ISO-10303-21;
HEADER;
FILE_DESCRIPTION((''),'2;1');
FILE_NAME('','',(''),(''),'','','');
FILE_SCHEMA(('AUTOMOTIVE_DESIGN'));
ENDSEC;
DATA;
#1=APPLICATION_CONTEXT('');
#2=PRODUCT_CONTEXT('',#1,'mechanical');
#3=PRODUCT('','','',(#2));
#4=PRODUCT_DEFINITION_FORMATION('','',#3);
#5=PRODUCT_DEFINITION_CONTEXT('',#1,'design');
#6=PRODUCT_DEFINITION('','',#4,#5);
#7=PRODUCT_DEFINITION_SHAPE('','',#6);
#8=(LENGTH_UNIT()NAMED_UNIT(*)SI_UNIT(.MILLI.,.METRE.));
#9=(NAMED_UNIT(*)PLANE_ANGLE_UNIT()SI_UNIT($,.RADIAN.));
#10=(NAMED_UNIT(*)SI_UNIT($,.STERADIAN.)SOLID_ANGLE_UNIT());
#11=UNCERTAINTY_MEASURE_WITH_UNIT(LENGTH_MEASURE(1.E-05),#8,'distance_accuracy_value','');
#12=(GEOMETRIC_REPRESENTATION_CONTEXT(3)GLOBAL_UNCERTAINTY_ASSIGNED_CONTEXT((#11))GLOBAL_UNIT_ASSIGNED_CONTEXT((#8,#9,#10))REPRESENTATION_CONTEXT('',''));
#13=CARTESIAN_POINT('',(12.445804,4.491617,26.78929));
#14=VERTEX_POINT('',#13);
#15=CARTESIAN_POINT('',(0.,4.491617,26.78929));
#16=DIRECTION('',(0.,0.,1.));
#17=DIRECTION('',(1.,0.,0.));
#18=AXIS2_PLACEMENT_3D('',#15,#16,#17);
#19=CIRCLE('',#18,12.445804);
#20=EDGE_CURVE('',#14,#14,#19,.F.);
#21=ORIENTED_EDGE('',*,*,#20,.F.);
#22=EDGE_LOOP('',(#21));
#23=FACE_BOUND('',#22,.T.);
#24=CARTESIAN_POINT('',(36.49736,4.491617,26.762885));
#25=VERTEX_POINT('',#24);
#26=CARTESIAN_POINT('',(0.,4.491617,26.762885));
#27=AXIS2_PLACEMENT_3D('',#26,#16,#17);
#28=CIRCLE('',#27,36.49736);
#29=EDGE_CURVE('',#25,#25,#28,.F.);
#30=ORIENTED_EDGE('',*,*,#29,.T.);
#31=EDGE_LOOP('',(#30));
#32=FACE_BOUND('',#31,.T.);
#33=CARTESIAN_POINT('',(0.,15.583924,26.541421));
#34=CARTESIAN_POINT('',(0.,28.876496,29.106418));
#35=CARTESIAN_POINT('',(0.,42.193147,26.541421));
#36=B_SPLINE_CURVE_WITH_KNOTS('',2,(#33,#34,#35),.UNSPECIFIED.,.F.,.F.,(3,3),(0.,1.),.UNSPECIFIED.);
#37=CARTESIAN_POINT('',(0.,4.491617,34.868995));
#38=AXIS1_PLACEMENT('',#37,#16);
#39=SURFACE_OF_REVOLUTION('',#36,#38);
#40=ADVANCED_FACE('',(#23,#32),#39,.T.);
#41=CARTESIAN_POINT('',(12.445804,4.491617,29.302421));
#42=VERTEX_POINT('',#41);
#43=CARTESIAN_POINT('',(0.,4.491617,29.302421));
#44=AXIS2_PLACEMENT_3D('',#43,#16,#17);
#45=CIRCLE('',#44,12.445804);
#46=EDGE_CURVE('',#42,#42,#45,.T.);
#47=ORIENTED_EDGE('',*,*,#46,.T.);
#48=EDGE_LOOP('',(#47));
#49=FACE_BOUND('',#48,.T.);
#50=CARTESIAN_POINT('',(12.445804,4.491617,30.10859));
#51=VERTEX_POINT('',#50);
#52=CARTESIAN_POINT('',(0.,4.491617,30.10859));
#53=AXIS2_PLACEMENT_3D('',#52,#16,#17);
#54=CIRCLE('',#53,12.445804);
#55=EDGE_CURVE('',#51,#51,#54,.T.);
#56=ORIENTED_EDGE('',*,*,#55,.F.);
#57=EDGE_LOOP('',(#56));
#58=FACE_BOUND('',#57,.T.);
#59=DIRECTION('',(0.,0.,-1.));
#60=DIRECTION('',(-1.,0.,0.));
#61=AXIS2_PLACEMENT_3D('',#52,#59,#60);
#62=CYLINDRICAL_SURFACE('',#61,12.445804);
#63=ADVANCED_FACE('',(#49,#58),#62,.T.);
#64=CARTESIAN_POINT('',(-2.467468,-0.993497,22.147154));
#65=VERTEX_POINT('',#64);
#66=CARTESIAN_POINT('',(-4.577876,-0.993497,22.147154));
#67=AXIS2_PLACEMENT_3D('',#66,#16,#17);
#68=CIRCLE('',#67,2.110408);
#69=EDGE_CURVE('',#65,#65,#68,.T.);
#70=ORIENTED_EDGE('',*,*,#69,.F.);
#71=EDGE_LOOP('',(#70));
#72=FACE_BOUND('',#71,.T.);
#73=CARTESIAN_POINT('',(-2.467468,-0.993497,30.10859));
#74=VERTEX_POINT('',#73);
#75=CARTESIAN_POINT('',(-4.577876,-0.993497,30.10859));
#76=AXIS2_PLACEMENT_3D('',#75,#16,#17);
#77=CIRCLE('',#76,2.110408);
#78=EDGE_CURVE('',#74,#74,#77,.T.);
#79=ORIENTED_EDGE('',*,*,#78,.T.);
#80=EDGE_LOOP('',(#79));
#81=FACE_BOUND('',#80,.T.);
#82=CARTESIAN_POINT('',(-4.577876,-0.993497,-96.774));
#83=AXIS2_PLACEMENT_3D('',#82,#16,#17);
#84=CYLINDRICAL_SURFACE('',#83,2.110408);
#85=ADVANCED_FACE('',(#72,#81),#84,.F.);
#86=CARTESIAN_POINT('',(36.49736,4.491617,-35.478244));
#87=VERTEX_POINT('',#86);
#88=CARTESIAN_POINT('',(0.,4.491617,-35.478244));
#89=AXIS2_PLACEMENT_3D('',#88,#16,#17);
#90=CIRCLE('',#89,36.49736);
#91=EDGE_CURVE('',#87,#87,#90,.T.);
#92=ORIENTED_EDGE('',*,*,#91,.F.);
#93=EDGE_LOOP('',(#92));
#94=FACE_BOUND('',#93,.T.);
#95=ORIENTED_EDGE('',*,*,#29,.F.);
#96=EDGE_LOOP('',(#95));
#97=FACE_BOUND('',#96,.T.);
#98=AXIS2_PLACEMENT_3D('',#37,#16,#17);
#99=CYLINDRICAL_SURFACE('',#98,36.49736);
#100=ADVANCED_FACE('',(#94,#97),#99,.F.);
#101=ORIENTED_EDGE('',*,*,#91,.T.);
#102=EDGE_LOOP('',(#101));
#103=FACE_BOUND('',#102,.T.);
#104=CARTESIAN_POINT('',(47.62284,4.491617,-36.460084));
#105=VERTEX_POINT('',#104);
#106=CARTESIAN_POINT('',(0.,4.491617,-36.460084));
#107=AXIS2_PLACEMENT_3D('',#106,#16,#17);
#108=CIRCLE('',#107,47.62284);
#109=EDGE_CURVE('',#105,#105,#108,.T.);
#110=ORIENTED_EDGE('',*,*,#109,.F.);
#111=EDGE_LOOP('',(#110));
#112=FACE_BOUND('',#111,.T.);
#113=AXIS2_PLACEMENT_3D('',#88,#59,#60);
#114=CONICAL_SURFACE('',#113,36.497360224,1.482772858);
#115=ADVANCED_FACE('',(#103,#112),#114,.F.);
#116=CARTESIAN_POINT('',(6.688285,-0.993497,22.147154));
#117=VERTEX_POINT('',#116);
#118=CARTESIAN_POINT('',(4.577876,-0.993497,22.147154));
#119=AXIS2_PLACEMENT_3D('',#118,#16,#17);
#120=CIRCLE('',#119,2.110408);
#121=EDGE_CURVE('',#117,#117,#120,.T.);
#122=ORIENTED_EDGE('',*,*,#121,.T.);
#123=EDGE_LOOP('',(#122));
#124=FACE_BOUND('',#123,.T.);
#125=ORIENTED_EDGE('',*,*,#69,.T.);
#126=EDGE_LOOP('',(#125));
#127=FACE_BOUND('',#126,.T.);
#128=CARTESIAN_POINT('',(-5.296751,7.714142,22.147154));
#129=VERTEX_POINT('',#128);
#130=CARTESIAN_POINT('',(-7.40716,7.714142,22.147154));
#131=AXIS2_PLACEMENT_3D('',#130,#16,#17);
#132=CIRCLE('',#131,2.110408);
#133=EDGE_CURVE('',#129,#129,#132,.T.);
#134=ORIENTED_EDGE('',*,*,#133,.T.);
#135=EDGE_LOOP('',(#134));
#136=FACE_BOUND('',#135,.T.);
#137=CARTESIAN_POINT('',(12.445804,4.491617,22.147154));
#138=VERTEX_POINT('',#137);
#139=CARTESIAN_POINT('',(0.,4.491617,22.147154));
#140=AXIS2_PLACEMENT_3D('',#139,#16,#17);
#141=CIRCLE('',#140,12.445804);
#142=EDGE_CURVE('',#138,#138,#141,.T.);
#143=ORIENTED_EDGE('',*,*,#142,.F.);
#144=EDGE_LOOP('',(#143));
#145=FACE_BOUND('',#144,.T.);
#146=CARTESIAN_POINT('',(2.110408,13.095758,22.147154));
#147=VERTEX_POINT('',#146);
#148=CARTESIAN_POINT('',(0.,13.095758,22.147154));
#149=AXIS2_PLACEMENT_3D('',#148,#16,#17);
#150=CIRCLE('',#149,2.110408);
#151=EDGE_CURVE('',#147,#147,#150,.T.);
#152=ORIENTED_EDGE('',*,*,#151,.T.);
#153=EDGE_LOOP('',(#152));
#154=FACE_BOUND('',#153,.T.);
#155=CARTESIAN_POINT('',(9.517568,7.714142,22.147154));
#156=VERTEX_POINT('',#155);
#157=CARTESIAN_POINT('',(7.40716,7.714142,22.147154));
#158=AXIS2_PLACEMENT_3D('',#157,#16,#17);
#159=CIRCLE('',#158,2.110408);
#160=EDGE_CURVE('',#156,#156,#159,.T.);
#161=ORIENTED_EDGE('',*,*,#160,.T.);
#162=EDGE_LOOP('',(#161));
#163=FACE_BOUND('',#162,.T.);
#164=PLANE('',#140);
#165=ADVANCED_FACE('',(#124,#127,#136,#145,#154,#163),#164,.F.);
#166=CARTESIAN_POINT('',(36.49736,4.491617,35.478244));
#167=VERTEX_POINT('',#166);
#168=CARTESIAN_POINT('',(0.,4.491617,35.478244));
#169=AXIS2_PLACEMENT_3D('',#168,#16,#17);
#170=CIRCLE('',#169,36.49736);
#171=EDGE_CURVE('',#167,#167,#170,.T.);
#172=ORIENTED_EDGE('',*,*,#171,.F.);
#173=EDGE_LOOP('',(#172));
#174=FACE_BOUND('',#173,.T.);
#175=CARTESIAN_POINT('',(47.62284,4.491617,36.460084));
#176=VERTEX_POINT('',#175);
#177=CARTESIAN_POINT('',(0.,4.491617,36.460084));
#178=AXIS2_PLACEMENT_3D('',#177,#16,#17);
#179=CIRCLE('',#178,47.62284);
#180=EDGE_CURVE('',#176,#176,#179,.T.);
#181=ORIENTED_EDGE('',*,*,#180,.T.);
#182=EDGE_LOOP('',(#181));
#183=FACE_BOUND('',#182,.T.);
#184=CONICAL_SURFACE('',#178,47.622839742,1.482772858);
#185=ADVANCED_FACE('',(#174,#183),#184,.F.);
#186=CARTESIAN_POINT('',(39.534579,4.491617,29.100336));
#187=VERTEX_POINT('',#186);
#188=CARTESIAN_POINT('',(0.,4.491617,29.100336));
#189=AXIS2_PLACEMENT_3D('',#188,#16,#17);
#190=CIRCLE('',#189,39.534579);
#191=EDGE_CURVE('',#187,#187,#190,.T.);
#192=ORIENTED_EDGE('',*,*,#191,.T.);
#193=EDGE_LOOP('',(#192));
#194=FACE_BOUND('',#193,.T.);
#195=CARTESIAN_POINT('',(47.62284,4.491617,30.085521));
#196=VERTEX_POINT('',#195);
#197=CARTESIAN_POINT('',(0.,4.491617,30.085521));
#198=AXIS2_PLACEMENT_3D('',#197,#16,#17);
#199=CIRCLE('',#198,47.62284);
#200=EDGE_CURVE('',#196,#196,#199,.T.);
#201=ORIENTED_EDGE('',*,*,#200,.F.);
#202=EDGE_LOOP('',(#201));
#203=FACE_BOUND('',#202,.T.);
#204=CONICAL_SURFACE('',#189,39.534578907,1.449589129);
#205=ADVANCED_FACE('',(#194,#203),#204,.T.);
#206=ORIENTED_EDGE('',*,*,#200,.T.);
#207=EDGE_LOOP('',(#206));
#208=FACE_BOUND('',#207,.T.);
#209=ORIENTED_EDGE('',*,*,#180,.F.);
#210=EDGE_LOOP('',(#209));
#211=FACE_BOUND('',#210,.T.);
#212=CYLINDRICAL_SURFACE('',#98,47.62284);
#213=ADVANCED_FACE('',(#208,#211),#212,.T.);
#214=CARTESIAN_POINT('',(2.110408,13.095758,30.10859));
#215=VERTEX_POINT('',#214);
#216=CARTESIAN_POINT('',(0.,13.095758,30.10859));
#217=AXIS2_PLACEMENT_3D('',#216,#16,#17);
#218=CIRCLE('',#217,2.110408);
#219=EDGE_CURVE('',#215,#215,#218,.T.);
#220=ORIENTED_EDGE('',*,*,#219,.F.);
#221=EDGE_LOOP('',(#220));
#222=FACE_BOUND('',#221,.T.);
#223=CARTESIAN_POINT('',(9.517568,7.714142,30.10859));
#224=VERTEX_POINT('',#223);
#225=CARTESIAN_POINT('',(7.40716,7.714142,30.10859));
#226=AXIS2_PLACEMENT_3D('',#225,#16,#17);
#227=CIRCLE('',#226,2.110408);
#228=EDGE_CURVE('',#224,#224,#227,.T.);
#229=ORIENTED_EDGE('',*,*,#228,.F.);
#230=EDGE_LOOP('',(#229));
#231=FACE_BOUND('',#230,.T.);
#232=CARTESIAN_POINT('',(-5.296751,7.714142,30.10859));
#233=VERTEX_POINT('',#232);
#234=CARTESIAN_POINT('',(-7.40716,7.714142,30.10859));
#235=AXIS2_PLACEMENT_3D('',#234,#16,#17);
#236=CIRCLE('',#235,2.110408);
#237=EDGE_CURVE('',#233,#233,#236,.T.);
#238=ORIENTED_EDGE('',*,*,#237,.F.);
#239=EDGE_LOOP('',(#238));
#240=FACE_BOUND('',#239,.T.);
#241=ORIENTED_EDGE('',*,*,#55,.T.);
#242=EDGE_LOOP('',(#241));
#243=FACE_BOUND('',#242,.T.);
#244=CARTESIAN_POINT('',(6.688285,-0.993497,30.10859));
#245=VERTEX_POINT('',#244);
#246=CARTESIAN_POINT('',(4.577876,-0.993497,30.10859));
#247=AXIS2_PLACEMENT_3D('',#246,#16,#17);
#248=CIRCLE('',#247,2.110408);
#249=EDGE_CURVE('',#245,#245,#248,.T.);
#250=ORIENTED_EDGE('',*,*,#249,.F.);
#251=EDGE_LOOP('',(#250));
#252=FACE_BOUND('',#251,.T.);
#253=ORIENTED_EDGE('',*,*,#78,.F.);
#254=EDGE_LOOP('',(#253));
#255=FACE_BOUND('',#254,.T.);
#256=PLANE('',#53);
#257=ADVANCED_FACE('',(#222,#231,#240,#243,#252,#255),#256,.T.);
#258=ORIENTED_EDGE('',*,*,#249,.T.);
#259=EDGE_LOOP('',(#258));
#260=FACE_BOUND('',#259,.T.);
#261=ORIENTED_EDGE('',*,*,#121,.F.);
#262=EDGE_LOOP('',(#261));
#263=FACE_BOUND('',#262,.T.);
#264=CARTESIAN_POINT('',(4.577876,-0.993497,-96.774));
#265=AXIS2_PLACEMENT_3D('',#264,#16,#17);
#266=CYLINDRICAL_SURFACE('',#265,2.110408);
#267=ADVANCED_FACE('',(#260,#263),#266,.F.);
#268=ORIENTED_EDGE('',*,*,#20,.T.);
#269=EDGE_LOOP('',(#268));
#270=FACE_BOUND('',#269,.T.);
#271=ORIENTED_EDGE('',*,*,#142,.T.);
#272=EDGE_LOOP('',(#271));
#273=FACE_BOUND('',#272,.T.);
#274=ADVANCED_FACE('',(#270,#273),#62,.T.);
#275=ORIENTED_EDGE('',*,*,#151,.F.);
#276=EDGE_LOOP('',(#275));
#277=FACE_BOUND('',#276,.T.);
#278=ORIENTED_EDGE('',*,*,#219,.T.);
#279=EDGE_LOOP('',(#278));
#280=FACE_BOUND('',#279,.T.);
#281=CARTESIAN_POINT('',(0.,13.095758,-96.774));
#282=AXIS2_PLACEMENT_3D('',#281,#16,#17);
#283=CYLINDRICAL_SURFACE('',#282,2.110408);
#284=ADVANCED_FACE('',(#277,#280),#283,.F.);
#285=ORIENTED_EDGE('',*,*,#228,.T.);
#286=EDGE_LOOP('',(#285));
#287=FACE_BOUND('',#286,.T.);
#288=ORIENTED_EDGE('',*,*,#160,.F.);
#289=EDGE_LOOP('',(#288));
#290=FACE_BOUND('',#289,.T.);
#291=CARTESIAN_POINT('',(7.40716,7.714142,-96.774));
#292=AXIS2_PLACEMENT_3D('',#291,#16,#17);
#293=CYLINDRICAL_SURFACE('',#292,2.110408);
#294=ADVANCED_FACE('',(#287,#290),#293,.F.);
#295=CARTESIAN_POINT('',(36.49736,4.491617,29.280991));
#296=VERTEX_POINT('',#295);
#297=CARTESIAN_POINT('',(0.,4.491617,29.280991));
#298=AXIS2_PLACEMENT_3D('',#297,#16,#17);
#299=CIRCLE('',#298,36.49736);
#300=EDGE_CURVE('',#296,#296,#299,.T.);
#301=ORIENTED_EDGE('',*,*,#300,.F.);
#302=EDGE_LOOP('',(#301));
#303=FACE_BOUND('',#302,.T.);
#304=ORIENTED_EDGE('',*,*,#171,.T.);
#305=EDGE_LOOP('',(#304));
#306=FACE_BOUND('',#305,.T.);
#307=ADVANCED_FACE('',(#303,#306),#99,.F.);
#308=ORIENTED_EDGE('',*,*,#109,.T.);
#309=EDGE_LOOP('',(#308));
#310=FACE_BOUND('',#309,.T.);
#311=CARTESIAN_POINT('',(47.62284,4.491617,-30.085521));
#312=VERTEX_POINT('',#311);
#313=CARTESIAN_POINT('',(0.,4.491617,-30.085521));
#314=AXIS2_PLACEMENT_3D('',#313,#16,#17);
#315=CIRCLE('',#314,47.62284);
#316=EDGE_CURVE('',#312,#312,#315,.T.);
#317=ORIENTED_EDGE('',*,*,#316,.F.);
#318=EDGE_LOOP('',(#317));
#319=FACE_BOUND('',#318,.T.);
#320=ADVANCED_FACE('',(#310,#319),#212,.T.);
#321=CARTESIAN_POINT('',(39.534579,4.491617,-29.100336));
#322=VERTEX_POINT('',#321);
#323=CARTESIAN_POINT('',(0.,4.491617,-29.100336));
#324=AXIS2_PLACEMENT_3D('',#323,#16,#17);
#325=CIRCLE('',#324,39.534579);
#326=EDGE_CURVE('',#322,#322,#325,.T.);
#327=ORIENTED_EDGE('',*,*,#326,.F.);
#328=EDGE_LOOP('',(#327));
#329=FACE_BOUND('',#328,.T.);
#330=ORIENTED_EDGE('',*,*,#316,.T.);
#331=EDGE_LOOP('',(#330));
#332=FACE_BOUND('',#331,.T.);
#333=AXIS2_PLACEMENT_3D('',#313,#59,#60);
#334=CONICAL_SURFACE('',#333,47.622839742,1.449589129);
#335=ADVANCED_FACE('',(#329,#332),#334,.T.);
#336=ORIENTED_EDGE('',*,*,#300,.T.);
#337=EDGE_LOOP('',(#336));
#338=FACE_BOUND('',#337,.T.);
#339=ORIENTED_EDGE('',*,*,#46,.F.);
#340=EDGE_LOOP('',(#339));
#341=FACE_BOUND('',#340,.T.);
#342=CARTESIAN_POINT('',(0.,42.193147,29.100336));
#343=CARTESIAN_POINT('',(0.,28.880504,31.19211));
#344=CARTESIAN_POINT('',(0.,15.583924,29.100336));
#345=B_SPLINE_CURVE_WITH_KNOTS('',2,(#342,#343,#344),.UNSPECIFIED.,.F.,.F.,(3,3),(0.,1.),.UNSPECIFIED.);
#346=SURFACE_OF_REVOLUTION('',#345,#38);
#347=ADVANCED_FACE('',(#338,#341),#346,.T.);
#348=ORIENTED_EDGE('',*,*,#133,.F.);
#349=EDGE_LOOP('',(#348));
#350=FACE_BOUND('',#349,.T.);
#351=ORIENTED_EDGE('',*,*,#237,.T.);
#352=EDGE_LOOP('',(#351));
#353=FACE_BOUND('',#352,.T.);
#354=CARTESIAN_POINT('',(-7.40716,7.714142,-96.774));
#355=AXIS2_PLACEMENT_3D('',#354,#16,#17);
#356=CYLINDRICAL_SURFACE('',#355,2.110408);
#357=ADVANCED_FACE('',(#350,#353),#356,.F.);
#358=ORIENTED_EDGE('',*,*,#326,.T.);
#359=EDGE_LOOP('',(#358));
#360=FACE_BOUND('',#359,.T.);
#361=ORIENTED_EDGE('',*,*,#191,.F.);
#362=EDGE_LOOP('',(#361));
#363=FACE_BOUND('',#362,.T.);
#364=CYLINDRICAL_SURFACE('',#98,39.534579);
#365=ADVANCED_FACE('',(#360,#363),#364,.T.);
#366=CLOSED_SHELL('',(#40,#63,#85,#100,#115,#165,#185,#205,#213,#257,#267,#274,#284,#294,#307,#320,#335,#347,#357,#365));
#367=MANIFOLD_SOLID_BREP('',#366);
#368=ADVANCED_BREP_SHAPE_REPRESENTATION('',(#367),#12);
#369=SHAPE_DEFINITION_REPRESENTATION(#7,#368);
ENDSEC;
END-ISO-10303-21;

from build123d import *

# Parameters (mm, degrees)
SKETCH8_R           = 12.445803737
BOSS_EXTRUDE2_DEPTH = 7.961436264
SKETCH10_R          = 2.110408374
CUT_EXTRUDE1_DEPTH  = 137.414


with BuildPart() as part:
    # Sketch3 → Revolve2 (revolve)
    with BuildSketch(Plane(origin=(0, 0, 0), x_dir=(0, 0, -1), z_dir=(1, 0, 0)), mode=Mode.PRIVATE) as revolve2_sk:
        Polygon((29.100336298, 44.026196045), (-29.100336298, 44.026196045), (-30.085520968, 52.11445688), (-36.460084033, 52.11445688), (-35.478243613, 40.988977361), (35.478243613, 40.988977361), (36.460084033, 52.11445688), (30.085520968, 52.11445688), align=None)
    revolve(revolve2_sk.sketch.rotate(Axis((0, 4.491617138, 34.868994977), (0, 0, -1)), 90), axis=Axis((0, 4.491617138, 34.868994977), (0, 0, -1)))



with BuildPart() as body_2:
    # Sketch8 → Boss-Extrude2 (new body)
    with BuildSketch(Plane.XY.offset(22.147154131)):
        with Locations((0, 4.491617138)):
            Circle(SKETCH8_R)
    extrude(amount=BOSS_EXTRUDE2_DEPTH)

    # Sketch10 → Cut-Extrude1 (cut)
    with BuildSketch(Plane.XY.offset(40.64)):
        with Locations((0, 13.095758201)):
            Circle(SKETCH10_R)
        with Locations((7.407159638, 7.714141713)):
            Circle(SKETCH10_R)
        with Locations((4.577876416, -0.99349668)):
            Circle(SKETCH10_R)
        with Locations((-4.577876416, -0.99349668)):
            Circle(SKETCH10_R)
        with Locations((-7.407159638, 7.714141713)):
            Circle(SKETCH10_R)
    extrude(amount=-CUT_EXTRUDE1_DEPTH, mode=Mode.SUBTRACT)


with BuildPart() as part_1:
    add(part.part)

    add(body_2.part)  # Revolve4 merges body 2
    # Sketch12 → Revolve4 (revolve)
    with BuildSketch(Plane(origin=(0, 0, 0), x_dir=(0, 0, -1), z_dir=(1, 0, 0)), mode=Mode.PRIVATE) as revolve4_sk:
        with BuildLine():
            Line((-29.100336298, 42.19314735), (-26.54142097, 42.19314735))
            add(Edge.make_bspline(
                [(-26.54142097, 42.19314735), (-29.106417972, 28.876495724), (-26.54142097, 15.583923694)],
                knots=[0, 0, 0, 1, 1, 1], degree=2))
            Line((-26.54142097, 15.583923694), (-29.100336298, 15.583923694))
            add(Edge.make_bspline(
                [(-29.100336298, 42.19314735), (-31.192110403, 28.880503774), (-29.100336298, 15.583923694)],
                knots=[0, 0, 0, 1, 1, 1], degree=2))
        make_face()
    revolve(revolve4_sk.sketch.rotate(Axis((0, 4.491617138, 34.868994977), (0, 0, -1)), 90), axis=Axis((0, 4.491617138, 34.868994977), (0, 0, -1)))


solid = part_1.part
